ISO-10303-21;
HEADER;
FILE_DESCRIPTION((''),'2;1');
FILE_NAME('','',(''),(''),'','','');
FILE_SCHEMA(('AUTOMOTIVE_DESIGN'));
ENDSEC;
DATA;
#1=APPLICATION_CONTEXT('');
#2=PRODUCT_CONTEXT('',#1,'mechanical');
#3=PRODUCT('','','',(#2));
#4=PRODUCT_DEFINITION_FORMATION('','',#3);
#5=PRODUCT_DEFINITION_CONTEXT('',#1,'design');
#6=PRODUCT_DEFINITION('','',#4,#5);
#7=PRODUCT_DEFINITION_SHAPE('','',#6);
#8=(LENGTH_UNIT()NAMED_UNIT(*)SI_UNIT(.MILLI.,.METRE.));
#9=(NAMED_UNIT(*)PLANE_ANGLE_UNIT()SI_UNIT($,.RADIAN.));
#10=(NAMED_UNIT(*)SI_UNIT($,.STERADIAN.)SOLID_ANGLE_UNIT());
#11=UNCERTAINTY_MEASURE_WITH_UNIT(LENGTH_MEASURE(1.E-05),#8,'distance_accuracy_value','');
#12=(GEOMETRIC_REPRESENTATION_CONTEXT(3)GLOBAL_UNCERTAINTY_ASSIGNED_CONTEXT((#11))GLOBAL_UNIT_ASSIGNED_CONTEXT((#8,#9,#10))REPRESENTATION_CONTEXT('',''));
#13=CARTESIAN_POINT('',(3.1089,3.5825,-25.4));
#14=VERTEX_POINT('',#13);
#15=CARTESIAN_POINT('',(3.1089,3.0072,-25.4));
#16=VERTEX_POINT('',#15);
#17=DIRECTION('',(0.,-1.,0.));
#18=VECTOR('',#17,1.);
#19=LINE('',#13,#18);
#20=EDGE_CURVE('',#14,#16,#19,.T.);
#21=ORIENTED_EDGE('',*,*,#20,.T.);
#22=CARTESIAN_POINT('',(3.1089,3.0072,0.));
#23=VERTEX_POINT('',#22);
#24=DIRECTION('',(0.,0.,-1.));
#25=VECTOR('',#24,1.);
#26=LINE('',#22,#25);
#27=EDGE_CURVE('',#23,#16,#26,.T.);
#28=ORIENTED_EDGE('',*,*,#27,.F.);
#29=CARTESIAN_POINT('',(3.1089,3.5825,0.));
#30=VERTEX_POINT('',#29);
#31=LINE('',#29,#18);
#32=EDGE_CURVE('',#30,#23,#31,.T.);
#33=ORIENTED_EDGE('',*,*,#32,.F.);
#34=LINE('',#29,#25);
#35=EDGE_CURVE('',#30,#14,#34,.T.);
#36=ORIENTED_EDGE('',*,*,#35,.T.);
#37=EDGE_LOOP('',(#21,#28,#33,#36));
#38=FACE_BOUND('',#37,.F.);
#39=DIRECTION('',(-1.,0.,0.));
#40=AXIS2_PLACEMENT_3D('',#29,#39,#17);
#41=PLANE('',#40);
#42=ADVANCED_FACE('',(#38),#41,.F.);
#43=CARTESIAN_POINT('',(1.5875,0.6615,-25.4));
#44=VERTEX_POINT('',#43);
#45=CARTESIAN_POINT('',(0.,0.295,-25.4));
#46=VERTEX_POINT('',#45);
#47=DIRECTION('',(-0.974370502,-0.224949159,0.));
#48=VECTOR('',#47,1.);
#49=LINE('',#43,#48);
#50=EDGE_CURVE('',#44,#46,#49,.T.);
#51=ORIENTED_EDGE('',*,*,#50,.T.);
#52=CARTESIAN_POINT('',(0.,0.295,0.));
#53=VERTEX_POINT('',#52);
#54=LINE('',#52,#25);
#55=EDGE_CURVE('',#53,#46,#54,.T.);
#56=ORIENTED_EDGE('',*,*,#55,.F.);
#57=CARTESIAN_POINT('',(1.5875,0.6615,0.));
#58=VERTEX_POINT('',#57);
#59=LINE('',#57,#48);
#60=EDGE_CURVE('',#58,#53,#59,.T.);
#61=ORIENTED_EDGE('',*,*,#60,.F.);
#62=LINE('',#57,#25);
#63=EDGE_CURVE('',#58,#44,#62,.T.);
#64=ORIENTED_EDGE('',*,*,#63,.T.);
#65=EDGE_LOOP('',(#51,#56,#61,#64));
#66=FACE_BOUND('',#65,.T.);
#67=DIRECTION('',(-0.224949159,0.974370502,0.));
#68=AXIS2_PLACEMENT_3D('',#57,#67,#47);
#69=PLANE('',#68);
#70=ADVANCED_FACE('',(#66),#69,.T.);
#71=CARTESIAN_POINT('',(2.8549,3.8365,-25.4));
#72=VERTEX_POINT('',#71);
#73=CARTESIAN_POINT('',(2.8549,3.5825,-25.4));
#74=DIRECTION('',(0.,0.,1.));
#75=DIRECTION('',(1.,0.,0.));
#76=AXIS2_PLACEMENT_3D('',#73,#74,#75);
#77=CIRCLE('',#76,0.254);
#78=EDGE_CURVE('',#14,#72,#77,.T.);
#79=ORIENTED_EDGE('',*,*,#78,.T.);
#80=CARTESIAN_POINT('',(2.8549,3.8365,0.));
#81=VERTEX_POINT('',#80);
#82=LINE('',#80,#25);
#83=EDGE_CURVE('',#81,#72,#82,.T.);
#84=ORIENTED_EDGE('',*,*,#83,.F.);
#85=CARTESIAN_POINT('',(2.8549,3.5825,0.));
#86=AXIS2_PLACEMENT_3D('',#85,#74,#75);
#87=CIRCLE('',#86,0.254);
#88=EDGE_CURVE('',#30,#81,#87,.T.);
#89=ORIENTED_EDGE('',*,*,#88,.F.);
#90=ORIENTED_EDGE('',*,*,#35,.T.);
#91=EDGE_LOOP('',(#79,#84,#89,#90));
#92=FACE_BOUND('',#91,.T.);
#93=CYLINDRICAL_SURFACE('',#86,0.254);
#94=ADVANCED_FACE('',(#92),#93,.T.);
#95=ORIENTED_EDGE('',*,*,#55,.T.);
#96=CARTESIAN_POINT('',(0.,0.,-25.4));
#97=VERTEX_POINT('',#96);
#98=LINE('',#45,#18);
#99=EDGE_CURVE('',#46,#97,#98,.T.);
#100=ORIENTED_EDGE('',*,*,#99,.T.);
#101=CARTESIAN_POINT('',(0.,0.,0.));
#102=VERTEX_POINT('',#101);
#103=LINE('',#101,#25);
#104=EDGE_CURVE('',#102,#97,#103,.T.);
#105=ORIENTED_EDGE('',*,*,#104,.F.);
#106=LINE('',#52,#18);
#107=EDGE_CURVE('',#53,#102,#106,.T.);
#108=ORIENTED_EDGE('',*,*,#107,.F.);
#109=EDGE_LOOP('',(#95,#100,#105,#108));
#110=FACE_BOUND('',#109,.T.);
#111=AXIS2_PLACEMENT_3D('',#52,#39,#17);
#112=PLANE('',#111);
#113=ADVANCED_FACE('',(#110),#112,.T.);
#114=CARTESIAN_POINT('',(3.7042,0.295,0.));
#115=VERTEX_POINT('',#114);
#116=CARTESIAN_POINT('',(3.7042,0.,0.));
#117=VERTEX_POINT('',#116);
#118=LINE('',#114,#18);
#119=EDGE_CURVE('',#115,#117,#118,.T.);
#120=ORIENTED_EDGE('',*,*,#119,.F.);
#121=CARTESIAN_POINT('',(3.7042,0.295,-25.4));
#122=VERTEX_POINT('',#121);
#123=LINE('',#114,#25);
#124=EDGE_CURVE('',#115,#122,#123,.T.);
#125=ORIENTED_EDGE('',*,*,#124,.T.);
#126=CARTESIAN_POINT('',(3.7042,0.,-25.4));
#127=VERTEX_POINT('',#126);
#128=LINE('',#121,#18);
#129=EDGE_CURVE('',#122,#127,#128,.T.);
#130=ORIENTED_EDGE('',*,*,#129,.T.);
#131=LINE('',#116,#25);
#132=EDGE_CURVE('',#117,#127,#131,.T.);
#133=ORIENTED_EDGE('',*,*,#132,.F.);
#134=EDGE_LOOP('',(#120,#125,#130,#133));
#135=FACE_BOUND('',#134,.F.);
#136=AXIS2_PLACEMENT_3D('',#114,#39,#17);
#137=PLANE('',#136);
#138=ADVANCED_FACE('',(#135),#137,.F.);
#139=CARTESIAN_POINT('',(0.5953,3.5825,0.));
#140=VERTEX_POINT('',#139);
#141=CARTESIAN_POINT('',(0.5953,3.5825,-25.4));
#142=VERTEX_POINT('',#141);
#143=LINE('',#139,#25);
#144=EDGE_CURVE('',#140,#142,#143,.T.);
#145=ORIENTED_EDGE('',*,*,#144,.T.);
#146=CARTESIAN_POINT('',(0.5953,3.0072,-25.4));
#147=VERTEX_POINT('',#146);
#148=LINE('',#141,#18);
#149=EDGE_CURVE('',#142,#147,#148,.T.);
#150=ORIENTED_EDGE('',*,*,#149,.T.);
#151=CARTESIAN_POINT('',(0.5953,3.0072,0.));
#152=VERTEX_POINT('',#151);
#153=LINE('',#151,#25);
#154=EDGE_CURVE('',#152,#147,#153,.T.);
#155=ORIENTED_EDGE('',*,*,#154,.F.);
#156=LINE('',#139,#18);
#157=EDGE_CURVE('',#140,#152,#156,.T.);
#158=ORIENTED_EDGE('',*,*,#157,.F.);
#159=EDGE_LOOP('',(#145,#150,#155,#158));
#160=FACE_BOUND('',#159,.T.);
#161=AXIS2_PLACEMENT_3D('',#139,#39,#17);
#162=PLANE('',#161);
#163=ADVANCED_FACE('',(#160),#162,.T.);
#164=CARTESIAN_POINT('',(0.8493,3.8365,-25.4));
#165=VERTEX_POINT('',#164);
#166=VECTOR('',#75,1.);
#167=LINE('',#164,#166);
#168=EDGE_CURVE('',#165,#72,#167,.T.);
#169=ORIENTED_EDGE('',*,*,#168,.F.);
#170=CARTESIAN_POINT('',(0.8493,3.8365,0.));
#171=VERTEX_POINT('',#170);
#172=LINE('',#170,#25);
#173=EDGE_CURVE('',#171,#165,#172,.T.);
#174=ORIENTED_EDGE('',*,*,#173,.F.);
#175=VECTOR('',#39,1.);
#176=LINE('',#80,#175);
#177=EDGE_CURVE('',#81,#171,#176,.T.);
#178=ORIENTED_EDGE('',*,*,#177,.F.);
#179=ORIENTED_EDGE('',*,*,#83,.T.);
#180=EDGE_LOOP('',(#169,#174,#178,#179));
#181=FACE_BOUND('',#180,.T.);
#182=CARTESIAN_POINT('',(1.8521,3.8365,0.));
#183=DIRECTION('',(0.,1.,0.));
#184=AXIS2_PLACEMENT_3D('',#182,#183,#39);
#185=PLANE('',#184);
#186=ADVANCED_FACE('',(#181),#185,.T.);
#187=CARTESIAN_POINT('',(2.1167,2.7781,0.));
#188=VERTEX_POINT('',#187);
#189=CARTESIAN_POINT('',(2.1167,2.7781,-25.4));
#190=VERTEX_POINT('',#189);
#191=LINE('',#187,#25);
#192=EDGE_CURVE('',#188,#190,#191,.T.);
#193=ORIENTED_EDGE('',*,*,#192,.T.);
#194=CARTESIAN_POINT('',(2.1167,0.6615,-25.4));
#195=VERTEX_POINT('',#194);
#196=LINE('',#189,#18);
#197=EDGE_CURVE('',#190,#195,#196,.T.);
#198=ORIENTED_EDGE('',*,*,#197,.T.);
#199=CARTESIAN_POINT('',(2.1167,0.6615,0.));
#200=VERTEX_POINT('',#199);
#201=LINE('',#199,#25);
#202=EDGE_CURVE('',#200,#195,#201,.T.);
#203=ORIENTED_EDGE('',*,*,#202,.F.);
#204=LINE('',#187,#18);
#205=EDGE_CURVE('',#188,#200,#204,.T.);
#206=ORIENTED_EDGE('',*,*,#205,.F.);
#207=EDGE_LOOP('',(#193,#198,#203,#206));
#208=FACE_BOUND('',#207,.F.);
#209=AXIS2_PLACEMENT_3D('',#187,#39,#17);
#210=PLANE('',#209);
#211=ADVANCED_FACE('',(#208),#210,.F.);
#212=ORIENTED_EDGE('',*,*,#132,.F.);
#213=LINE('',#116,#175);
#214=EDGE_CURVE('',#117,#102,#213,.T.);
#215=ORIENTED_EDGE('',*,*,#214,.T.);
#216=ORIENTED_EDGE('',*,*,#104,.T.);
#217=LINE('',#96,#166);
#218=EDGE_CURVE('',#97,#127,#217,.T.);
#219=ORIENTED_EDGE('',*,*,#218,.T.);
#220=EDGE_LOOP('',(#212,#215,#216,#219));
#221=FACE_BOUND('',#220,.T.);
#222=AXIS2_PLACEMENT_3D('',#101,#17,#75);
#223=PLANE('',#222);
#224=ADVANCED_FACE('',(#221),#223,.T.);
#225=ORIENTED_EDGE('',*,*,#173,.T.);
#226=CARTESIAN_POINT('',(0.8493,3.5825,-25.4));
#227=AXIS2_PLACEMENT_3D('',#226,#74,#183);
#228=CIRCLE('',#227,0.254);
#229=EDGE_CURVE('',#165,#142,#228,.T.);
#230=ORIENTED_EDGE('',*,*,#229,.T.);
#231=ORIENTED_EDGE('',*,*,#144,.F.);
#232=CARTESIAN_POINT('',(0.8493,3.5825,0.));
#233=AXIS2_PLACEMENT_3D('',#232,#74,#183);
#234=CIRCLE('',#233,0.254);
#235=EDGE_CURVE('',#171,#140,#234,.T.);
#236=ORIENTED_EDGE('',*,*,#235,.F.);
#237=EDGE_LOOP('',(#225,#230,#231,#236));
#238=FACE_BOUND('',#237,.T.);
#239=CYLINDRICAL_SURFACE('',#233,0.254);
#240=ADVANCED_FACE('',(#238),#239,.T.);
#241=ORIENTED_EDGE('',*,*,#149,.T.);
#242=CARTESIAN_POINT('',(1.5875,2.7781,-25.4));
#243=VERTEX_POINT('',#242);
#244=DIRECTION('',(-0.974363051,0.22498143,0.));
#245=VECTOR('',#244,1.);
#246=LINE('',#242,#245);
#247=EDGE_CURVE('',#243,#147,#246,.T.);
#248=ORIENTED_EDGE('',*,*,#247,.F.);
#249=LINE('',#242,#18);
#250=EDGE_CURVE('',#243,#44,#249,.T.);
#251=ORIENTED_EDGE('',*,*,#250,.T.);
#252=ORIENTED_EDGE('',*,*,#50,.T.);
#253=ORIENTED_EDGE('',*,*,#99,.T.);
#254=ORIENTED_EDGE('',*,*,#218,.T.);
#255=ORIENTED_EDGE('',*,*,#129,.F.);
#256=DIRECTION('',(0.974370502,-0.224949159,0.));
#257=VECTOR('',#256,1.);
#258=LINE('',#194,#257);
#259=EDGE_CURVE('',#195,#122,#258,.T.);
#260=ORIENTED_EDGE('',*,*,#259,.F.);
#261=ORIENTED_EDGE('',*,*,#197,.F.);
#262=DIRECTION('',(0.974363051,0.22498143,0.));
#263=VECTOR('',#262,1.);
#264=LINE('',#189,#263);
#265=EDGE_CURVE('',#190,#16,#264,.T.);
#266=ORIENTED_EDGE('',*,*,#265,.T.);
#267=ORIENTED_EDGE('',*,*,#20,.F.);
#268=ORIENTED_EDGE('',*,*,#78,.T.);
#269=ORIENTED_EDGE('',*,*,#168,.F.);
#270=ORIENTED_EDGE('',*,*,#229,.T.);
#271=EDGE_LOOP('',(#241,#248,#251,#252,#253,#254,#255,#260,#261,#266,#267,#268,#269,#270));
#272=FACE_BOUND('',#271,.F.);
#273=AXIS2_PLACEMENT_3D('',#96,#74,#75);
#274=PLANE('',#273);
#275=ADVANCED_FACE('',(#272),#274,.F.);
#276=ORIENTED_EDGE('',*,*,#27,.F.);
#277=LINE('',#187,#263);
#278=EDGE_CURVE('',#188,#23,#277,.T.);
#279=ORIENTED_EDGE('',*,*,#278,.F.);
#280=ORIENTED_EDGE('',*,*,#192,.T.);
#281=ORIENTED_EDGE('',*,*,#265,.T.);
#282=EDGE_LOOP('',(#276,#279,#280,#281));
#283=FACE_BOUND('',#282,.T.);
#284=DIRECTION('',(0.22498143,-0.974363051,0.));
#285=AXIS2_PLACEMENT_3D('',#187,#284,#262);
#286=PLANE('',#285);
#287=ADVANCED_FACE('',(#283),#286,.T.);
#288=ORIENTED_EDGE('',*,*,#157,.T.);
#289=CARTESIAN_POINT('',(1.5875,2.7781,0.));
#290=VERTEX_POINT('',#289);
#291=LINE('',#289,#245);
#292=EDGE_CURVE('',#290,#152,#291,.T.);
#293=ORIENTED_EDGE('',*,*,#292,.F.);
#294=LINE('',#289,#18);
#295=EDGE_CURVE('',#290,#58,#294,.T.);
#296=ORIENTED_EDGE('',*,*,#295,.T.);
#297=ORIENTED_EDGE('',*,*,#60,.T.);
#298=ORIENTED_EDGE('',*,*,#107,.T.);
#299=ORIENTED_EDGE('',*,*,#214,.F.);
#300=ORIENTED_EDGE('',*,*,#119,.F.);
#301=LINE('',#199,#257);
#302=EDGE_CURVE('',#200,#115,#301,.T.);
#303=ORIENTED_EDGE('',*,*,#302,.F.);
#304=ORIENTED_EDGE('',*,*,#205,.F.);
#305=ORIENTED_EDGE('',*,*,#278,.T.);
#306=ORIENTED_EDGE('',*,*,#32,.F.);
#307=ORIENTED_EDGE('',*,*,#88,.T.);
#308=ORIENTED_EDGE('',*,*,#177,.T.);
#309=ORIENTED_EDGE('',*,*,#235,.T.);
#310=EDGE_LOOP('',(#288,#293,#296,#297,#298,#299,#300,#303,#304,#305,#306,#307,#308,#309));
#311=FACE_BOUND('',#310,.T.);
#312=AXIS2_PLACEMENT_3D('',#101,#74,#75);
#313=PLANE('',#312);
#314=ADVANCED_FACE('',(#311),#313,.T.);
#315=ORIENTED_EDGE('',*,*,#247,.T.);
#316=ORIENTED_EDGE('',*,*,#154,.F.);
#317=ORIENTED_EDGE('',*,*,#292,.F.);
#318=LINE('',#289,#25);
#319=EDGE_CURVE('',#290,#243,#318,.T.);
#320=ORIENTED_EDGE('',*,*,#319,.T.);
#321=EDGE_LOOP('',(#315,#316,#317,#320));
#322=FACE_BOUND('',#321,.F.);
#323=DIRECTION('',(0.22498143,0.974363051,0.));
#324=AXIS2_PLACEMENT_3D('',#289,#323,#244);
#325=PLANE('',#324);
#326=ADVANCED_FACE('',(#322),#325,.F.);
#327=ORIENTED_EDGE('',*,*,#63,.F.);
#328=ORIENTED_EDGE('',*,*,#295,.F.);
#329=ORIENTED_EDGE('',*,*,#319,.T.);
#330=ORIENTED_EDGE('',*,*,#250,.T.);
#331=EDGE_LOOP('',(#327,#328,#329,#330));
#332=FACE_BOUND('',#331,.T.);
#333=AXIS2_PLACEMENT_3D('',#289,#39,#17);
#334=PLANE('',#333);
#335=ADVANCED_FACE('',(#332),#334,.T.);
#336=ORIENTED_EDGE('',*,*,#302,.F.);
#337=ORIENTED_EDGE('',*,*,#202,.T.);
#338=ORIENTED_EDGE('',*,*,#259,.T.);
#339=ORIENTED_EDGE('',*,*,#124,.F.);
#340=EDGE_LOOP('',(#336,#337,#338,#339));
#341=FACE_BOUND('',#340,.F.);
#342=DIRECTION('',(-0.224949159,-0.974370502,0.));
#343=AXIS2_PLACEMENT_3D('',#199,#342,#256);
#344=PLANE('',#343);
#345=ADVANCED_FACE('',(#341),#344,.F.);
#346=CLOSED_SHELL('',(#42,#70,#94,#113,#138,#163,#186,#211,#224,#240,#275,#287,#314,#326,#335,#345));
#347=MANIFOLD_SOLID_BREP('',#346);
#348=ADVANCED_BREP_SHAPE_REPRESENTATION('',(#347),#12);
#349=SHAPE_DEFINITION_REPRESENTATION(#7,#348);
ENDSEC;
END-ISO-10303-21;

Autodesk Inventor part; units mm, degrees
ref_plane "YZ Plane" through (0, 0, 0) normal (1, 0, 0) x (0, 1, 0)
ref_plane "XZ Plane" through (0, 0, 0) normal (0, 1, 0) x (-1, 0, 0)
ref_plane "XY Plane" through (0, 0, 0) normal (0, 0, 1) x (1, 0, 0)
sketch "Sketch1" plane through (0, 0, 0) normal (0, 0, 1) x (1, 0, 0)
  line L0 (0, 0) -> (3.7042, 0)
  line L1 (1.8521, 0) -> (1.8521, 0.6615)
  line L2 (1.8521, 0.6615) -> (2.1167, 0.6615)
  line L3 (2.1167, 0.6615) -> (3.7042, 0.295)
  line L4 (3.7042, 0.295) -> (3.7042, 0)
  line L5 (1.8521, 0.6615) -> (1.8521, 2.7781)
  line L6 (1.8521, 2.7781) -> (2.1167, 2.7781)
  line L7 (2.1167, 2.7781) -> (2.1167, 0.6615)
  line L8 (1.8521, 2.7781) -> (1.8521, 3.8365)
  line L9 (1.8521, 3.8365) -> (2.8549, 3.8365)
  line L10 (2.1167, 2.7781) -> (3.1089, 3.0072)
  line L11 (2.1167, 2.7781) -> (3.135, 2.7781) construction
  line L12 (3.1089, 3.5825) -> (3.1089, 3.0072)
  arc A0 (3.1089, 3.5825) -> (2.8549, 3.8365) centre (2.8549, 3.5825) ccw
  line L13 (3.7042, 0) -> (0, 0)
  line L14 (1.8521, 0.6615) -> (1.5875, 0.6615)
  line L15 (1.5875, 0.6615) -> (0, 0.295)
  line L16 (0, 0.295) -> (0, 0)
  line L17 (1.8521, 2.7781) -> (1.5875, 2.7781)
  line L18 (1.5875, 2.7781) -> (1.5875, 0.6615)
  line L19 (1.8521, 3.8365) -> (0.8493, 3.8365)
  line L20 (1.5875, 2.7781) -> (0.5953, 3.0072)
  line L21 (1.5875, 2.7781) -> (0.5692, 2.7781) construction
  line L22 (0.5953, 3.5825) -> (0.5953, 3.0072)
  arc A1 (0.8493, 3.8365) -> (0.5953, 3.5825) centre (0.8493, 3.5825) ccw
  dimension "d3" = 0.6615
  dimension "d4" = 0.2646
  dimension "d5" = 167
  dimension "d6" = 2.1167
  dimension "d7" = 1.0583
  dimension "d9" = 13
  dimension "d10" = 0.254
extrude "Extrusion1" add sketch "Sketch1" against normal blind 25.4
properties part number "Rail48in"
